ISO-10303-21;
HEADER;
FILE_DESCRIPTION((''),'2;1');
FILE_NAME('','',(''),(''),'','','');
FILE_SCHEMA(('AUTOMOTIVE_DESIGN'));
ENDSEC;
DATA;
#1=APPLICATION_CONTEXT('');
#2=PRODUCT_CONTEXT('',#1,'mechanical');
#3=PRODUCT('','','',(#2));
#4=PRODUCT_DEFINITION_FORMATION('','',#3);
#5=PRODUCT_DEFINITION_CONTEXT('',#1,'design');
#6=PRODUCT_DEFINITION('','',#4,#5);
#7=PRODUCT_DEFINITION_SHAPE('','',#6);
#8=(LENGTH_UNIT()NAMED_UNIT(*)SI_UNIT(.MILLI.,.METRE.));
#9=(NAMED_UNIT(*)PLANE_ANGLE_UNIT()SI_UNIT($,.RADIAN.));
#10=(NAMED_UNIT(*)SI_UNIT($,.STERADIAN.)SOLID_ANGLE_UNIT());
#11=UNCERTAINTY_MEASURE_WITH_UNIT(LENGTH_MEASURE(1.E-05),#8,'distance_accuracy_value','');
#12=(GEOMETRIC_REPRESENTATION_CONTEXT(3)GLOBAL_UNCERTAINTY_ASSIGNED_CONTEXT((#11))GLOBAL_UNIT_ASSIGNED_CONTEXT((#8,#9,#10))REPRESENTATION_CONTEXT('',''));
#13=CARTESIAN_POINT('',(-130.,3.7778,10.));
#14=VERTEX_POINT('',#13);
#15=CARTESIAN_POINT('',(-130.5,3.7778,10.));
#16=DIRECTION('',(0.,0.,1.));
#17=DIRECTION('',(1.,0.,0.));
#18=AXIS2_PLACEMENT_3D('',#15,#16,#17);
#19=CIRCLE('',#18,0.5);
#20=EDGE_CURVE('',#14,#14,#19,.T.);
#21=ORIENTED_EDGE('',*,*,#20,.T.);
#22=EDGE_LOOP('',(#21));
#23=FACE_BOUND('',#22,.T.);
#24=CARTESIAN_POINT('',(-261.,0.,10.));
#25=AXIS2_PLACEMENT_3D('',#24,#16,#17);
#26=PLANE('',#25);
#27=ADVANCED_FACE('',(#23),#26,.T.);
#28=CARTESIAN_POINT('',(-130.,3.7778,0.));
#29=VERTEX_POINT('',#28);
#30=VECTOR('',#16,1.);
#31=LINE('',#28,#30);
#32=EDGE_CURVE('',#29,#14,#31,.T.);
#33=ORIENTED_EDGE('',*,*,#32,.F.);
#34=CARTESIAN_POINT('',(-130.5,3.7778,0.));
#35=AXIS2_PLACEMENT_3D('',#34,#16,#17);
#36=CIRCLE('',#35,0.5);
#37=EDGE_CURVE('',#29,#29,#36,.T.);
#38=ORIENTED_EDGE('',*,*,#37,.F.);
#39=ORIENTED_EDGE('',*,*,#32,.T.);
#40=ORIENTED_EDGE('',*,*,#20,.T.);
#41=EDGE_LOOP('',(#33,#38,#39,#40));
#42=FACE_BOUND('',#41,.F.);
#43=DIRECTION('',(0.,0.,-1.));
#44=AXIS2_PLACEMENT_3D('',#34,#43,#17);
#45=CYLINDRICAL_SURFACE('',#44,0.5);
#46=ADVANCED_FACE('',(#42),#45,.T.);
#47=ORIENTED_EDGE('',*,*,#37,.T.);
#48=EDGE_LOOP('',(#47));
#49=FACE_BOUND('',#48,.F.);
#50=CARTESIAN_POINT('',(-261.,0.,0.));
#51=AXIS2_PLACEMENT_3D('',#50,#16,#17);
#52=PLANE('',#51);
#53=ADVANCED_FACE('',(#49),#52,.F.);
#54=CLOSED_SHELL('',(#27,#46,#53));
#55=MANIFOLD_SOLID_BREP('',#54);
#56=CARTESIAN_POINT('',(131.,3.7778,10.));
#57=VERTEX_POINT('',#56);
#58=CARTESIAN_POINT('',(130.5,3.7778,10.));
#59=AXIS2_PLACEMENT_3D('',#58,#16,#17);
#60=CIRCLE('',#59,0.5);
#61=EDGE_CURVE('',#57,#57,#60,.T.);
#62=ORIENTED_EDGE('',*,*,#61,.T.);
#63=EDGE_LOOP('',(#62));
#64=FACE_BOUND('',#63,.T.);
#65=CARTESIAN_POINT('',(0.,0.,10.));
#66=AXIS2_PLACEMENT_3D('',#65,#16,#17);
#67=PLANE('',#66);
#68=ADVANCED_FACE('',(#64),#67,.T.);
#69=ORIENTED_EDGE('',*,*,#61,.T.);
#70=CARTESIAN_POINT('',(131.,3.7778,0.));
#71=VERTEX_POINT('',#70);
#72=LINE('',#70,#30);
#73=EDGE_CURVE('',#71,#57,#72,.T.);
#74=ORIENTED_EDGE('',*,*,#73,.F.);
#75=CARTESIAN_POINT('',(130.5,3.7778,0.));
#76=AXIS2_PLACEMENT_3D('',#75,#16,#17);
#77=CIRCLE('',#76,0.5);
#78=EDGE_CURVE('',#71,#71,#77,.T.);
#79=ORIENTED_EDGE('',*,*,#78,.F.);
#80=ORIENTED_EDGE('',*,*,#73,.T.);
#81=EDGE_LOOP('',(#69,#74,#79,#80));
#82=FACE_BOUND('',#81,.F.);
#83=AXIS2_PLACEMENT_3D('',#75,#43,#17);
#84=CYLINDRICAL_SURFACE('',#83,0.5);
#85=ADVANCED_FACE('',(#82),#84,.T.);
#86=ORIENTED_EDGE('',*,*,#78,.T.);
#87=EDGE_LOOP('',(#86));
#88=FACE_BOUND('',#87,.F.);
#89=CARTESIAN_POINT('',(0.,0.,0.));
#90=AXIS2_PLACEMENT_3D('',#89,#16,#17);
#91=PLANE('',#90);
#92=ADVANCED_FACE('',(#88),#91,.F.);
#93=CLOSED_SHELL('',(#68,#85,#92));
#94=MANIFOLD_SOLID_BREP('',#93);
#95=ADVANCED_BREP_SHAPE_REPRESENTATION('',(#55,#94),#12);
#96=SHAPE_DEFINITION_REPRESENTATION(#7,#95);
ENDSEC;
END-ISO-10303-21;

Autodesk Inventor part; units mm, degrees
ref_plane "YZ Plane" through (0, 0, 0) normal (1, 0, 0) x (0, 1, 0)
ref_plane "XZ Plane" through (0, 0, 0) normal (0, 1, 0) x (-1, 0, 0)
ref_plane "XY Plane" through (0, 0, 0) normal (0, 0, 1) x (1, 0, 0)
sketch "Sketch1" plane through (0, 0, 0) normal (0, 0, 1) x (1, 0, 0)
  line L0 (-190.5, -10.9695) -> (190.5, -10.9695)
  line L1 (190.5, -10.9695) -> (190.5, 10.9695)
  line L2 (190.5, 10.9695) -> (-190.5, 10.9695)
  line L3 (-190.5, 10.9695) -> (-190.5, -10.9695)
  line L4 (-190.5, -10.9695) -> (190.5, 10.9695) construction
  line L5 (190.5, -10.9695) -> (-190.5, 10.9695) construction
  point P0 (0, 0)
  dimension "d0" = 381
  dimension "d1" = 21.939
sketch "Lamello" plane through (0, 0, 0) normal (0, 0, 1) x (1, 0, 0)
  line L0 (48.383, 141.1858) -> (42.783, 141.1858)
  line L1 (40.583, 139.6858) -> (40.583, 114.6858)
  line L2 (42.783, 113.1858) -> (48.383, 113.1858)
  line L3 (50.583, 114.6858) -> (50.583, 139.6858)
  line L4 (50.583, 139.6858) -> (48.383, 141.1858)
  line L5 (40.583, 139.6858) -> (42.783, 141.1858)
  line L6 (40.583, 114.6858) -> (42.783, 113.1858)
  line L7 (50.583, 114.6858) -> (48.383, 113.1858)
  line L8 (50.583, 127.1858) -> (40.583, 127.1858)
  line L9 (45.583, 141.1858) -> (45.583, 113.1858)
  point P0 (45.583, 127.1858)
  point P1 (50.583, 141.1858)
  point P2 (40.583, 113.1858)
  point P3 (40.583, 141.1858)
  point P4 (50.583, 113.1858)
  dimension "d54" = 10
  dimension "d55" = 28
  dimension "d56" = 1.5
  dimension "d57" = 2.2
  dimension "d58" = 1.5
  dimension "d59" = 2.2
  dimension "d60" = 1.5
  dimension "d61" = 2.2
  dimension "d62" = 1.5
  dimension "d63" = 2.2
sketch "Sketch2" plane through (0, 0, 0) normal (0, 0, 1) x (1, 0, 0)
  circle A0 centre (130.5, 3.7778) radius 0.5
  line L0 (190.5, 10.9695) -> (-190.5, 10.9695) projected
  line L1 (-190.5, -10.9695) -> (190.5, -10.9695) projected
  line L2 (0, -145.0303) -> (0, 106.9697) projected
  line L3 (190.5, -10.9695) -> (190.5, 10.9695) projected
  point P0 (0, 0)
  dimension "d4" = 1
  dimension "d50" = 7.1917
  dimension "d70" = 60
extrude "Extrusion1" add sketch "Sketch2" along normal blind 10 contours A0
pattern_linear "Clamex Array" count 2 spacing 261 along (-1, 0, 0) of "Extrusion1"
sketch "Edge-Side Connection" plane through (0, 0, 0) normal (1, 0, 0) x (0, 1, 0)
  line L0 (-50, 0) -> (50, 0)
  line L1 (50, 0) -> (50, 19)
  line L2 (50, 19) -> (-50, 19)
  line L3 (-50, 19) -> (-50, 0)
  line L4 (-10.9695, 0) -> (-34.0635, -40)
  line L5 (-34.0635, -40) -> (-12.1245, -40)
  line L6 (-12.1245, -40) -> (10.9695, 0)
  line L7 (-2.9208, -14) -> (-2.9208, 14) construction
  line L8 (10.9695, 0) -> (2.0792, 0)
  line L9 (-7.9208, -12.5) -> (-15.62, -8.0549)
  point P0 (0, 0)
  point P1 (10.9695, 0)
  point P2 (0, 0)
  dimension "d26" = 100
  dimension "d27" = 19
  dimension "d28" = 40
  dimension "OtherSideRefYCoordinate" = 8.0487
  dimension "ReferenceCoord" = 13.8903
  dimension "d49" = 120
sketch "Edge-Edge Connection" plane through (0, 0, 0) normal (1, 0, 0) x (0, 1, 0)
  line L0 (-109.0303, 19) -> (10.9697, 19)
  line L1 (10.9697, 19) -> (0, 0)
  line L2 (0, 0) -> (-109.0303, 0)
  line L3 (-109.0303, 0) -> (-109.0303, 19)
  line L4 (10.9697, 19) -> (70.9697, -84.923)
  line L5 (0, 0) -> (54.5152, -94.423)
  line L6 (54.5152, -94.423) -> (70.9697, -84.923)
  line L7 (1.0958, 1.8981) -> (0, 0)
  line L8 (-4.7295, 16.8083) -> (-4.7295, 19)
  point P0 (3.5958, 6.2282)
  dimension "d51" = 19
  dimension "d53" = 19
  dimension "EdgeEdgeReferenceCoord" = 7.1917
  dimension "d65" = 120
  dimension "d66" = 120
  dimension "d67" = 120
  dimension "EdgeEdgeOtherSideRefYCoordinate" = 14.7476
equation "\"d9\" = Step"
equation "\"d27\" = NestleBoardT"
equation "\"d0\" = ContactPatchWidth"
equation "\"d1\" = ContactPatchHeight"
equation "\"ContactPatchWidth\" = 381"
equation "\"ContactPatchHeight\" = 21.939"
equation "\"PlacingWidth\" = 261"
equation "\"MinDistBetween\" = 96"
equation "\"Step\" = 261"
equation "\"Y_Coord\" = 7.19169"
equation "\"NestleBoardT\" = 19"
equation "\"PillarBoardT\" = 19"
equation "\"AngleForYPositionCalc\" = 120deg"
equation "\"ConnectionAngle\" = 120deg"
properties part number "Clamex Joint1100"
